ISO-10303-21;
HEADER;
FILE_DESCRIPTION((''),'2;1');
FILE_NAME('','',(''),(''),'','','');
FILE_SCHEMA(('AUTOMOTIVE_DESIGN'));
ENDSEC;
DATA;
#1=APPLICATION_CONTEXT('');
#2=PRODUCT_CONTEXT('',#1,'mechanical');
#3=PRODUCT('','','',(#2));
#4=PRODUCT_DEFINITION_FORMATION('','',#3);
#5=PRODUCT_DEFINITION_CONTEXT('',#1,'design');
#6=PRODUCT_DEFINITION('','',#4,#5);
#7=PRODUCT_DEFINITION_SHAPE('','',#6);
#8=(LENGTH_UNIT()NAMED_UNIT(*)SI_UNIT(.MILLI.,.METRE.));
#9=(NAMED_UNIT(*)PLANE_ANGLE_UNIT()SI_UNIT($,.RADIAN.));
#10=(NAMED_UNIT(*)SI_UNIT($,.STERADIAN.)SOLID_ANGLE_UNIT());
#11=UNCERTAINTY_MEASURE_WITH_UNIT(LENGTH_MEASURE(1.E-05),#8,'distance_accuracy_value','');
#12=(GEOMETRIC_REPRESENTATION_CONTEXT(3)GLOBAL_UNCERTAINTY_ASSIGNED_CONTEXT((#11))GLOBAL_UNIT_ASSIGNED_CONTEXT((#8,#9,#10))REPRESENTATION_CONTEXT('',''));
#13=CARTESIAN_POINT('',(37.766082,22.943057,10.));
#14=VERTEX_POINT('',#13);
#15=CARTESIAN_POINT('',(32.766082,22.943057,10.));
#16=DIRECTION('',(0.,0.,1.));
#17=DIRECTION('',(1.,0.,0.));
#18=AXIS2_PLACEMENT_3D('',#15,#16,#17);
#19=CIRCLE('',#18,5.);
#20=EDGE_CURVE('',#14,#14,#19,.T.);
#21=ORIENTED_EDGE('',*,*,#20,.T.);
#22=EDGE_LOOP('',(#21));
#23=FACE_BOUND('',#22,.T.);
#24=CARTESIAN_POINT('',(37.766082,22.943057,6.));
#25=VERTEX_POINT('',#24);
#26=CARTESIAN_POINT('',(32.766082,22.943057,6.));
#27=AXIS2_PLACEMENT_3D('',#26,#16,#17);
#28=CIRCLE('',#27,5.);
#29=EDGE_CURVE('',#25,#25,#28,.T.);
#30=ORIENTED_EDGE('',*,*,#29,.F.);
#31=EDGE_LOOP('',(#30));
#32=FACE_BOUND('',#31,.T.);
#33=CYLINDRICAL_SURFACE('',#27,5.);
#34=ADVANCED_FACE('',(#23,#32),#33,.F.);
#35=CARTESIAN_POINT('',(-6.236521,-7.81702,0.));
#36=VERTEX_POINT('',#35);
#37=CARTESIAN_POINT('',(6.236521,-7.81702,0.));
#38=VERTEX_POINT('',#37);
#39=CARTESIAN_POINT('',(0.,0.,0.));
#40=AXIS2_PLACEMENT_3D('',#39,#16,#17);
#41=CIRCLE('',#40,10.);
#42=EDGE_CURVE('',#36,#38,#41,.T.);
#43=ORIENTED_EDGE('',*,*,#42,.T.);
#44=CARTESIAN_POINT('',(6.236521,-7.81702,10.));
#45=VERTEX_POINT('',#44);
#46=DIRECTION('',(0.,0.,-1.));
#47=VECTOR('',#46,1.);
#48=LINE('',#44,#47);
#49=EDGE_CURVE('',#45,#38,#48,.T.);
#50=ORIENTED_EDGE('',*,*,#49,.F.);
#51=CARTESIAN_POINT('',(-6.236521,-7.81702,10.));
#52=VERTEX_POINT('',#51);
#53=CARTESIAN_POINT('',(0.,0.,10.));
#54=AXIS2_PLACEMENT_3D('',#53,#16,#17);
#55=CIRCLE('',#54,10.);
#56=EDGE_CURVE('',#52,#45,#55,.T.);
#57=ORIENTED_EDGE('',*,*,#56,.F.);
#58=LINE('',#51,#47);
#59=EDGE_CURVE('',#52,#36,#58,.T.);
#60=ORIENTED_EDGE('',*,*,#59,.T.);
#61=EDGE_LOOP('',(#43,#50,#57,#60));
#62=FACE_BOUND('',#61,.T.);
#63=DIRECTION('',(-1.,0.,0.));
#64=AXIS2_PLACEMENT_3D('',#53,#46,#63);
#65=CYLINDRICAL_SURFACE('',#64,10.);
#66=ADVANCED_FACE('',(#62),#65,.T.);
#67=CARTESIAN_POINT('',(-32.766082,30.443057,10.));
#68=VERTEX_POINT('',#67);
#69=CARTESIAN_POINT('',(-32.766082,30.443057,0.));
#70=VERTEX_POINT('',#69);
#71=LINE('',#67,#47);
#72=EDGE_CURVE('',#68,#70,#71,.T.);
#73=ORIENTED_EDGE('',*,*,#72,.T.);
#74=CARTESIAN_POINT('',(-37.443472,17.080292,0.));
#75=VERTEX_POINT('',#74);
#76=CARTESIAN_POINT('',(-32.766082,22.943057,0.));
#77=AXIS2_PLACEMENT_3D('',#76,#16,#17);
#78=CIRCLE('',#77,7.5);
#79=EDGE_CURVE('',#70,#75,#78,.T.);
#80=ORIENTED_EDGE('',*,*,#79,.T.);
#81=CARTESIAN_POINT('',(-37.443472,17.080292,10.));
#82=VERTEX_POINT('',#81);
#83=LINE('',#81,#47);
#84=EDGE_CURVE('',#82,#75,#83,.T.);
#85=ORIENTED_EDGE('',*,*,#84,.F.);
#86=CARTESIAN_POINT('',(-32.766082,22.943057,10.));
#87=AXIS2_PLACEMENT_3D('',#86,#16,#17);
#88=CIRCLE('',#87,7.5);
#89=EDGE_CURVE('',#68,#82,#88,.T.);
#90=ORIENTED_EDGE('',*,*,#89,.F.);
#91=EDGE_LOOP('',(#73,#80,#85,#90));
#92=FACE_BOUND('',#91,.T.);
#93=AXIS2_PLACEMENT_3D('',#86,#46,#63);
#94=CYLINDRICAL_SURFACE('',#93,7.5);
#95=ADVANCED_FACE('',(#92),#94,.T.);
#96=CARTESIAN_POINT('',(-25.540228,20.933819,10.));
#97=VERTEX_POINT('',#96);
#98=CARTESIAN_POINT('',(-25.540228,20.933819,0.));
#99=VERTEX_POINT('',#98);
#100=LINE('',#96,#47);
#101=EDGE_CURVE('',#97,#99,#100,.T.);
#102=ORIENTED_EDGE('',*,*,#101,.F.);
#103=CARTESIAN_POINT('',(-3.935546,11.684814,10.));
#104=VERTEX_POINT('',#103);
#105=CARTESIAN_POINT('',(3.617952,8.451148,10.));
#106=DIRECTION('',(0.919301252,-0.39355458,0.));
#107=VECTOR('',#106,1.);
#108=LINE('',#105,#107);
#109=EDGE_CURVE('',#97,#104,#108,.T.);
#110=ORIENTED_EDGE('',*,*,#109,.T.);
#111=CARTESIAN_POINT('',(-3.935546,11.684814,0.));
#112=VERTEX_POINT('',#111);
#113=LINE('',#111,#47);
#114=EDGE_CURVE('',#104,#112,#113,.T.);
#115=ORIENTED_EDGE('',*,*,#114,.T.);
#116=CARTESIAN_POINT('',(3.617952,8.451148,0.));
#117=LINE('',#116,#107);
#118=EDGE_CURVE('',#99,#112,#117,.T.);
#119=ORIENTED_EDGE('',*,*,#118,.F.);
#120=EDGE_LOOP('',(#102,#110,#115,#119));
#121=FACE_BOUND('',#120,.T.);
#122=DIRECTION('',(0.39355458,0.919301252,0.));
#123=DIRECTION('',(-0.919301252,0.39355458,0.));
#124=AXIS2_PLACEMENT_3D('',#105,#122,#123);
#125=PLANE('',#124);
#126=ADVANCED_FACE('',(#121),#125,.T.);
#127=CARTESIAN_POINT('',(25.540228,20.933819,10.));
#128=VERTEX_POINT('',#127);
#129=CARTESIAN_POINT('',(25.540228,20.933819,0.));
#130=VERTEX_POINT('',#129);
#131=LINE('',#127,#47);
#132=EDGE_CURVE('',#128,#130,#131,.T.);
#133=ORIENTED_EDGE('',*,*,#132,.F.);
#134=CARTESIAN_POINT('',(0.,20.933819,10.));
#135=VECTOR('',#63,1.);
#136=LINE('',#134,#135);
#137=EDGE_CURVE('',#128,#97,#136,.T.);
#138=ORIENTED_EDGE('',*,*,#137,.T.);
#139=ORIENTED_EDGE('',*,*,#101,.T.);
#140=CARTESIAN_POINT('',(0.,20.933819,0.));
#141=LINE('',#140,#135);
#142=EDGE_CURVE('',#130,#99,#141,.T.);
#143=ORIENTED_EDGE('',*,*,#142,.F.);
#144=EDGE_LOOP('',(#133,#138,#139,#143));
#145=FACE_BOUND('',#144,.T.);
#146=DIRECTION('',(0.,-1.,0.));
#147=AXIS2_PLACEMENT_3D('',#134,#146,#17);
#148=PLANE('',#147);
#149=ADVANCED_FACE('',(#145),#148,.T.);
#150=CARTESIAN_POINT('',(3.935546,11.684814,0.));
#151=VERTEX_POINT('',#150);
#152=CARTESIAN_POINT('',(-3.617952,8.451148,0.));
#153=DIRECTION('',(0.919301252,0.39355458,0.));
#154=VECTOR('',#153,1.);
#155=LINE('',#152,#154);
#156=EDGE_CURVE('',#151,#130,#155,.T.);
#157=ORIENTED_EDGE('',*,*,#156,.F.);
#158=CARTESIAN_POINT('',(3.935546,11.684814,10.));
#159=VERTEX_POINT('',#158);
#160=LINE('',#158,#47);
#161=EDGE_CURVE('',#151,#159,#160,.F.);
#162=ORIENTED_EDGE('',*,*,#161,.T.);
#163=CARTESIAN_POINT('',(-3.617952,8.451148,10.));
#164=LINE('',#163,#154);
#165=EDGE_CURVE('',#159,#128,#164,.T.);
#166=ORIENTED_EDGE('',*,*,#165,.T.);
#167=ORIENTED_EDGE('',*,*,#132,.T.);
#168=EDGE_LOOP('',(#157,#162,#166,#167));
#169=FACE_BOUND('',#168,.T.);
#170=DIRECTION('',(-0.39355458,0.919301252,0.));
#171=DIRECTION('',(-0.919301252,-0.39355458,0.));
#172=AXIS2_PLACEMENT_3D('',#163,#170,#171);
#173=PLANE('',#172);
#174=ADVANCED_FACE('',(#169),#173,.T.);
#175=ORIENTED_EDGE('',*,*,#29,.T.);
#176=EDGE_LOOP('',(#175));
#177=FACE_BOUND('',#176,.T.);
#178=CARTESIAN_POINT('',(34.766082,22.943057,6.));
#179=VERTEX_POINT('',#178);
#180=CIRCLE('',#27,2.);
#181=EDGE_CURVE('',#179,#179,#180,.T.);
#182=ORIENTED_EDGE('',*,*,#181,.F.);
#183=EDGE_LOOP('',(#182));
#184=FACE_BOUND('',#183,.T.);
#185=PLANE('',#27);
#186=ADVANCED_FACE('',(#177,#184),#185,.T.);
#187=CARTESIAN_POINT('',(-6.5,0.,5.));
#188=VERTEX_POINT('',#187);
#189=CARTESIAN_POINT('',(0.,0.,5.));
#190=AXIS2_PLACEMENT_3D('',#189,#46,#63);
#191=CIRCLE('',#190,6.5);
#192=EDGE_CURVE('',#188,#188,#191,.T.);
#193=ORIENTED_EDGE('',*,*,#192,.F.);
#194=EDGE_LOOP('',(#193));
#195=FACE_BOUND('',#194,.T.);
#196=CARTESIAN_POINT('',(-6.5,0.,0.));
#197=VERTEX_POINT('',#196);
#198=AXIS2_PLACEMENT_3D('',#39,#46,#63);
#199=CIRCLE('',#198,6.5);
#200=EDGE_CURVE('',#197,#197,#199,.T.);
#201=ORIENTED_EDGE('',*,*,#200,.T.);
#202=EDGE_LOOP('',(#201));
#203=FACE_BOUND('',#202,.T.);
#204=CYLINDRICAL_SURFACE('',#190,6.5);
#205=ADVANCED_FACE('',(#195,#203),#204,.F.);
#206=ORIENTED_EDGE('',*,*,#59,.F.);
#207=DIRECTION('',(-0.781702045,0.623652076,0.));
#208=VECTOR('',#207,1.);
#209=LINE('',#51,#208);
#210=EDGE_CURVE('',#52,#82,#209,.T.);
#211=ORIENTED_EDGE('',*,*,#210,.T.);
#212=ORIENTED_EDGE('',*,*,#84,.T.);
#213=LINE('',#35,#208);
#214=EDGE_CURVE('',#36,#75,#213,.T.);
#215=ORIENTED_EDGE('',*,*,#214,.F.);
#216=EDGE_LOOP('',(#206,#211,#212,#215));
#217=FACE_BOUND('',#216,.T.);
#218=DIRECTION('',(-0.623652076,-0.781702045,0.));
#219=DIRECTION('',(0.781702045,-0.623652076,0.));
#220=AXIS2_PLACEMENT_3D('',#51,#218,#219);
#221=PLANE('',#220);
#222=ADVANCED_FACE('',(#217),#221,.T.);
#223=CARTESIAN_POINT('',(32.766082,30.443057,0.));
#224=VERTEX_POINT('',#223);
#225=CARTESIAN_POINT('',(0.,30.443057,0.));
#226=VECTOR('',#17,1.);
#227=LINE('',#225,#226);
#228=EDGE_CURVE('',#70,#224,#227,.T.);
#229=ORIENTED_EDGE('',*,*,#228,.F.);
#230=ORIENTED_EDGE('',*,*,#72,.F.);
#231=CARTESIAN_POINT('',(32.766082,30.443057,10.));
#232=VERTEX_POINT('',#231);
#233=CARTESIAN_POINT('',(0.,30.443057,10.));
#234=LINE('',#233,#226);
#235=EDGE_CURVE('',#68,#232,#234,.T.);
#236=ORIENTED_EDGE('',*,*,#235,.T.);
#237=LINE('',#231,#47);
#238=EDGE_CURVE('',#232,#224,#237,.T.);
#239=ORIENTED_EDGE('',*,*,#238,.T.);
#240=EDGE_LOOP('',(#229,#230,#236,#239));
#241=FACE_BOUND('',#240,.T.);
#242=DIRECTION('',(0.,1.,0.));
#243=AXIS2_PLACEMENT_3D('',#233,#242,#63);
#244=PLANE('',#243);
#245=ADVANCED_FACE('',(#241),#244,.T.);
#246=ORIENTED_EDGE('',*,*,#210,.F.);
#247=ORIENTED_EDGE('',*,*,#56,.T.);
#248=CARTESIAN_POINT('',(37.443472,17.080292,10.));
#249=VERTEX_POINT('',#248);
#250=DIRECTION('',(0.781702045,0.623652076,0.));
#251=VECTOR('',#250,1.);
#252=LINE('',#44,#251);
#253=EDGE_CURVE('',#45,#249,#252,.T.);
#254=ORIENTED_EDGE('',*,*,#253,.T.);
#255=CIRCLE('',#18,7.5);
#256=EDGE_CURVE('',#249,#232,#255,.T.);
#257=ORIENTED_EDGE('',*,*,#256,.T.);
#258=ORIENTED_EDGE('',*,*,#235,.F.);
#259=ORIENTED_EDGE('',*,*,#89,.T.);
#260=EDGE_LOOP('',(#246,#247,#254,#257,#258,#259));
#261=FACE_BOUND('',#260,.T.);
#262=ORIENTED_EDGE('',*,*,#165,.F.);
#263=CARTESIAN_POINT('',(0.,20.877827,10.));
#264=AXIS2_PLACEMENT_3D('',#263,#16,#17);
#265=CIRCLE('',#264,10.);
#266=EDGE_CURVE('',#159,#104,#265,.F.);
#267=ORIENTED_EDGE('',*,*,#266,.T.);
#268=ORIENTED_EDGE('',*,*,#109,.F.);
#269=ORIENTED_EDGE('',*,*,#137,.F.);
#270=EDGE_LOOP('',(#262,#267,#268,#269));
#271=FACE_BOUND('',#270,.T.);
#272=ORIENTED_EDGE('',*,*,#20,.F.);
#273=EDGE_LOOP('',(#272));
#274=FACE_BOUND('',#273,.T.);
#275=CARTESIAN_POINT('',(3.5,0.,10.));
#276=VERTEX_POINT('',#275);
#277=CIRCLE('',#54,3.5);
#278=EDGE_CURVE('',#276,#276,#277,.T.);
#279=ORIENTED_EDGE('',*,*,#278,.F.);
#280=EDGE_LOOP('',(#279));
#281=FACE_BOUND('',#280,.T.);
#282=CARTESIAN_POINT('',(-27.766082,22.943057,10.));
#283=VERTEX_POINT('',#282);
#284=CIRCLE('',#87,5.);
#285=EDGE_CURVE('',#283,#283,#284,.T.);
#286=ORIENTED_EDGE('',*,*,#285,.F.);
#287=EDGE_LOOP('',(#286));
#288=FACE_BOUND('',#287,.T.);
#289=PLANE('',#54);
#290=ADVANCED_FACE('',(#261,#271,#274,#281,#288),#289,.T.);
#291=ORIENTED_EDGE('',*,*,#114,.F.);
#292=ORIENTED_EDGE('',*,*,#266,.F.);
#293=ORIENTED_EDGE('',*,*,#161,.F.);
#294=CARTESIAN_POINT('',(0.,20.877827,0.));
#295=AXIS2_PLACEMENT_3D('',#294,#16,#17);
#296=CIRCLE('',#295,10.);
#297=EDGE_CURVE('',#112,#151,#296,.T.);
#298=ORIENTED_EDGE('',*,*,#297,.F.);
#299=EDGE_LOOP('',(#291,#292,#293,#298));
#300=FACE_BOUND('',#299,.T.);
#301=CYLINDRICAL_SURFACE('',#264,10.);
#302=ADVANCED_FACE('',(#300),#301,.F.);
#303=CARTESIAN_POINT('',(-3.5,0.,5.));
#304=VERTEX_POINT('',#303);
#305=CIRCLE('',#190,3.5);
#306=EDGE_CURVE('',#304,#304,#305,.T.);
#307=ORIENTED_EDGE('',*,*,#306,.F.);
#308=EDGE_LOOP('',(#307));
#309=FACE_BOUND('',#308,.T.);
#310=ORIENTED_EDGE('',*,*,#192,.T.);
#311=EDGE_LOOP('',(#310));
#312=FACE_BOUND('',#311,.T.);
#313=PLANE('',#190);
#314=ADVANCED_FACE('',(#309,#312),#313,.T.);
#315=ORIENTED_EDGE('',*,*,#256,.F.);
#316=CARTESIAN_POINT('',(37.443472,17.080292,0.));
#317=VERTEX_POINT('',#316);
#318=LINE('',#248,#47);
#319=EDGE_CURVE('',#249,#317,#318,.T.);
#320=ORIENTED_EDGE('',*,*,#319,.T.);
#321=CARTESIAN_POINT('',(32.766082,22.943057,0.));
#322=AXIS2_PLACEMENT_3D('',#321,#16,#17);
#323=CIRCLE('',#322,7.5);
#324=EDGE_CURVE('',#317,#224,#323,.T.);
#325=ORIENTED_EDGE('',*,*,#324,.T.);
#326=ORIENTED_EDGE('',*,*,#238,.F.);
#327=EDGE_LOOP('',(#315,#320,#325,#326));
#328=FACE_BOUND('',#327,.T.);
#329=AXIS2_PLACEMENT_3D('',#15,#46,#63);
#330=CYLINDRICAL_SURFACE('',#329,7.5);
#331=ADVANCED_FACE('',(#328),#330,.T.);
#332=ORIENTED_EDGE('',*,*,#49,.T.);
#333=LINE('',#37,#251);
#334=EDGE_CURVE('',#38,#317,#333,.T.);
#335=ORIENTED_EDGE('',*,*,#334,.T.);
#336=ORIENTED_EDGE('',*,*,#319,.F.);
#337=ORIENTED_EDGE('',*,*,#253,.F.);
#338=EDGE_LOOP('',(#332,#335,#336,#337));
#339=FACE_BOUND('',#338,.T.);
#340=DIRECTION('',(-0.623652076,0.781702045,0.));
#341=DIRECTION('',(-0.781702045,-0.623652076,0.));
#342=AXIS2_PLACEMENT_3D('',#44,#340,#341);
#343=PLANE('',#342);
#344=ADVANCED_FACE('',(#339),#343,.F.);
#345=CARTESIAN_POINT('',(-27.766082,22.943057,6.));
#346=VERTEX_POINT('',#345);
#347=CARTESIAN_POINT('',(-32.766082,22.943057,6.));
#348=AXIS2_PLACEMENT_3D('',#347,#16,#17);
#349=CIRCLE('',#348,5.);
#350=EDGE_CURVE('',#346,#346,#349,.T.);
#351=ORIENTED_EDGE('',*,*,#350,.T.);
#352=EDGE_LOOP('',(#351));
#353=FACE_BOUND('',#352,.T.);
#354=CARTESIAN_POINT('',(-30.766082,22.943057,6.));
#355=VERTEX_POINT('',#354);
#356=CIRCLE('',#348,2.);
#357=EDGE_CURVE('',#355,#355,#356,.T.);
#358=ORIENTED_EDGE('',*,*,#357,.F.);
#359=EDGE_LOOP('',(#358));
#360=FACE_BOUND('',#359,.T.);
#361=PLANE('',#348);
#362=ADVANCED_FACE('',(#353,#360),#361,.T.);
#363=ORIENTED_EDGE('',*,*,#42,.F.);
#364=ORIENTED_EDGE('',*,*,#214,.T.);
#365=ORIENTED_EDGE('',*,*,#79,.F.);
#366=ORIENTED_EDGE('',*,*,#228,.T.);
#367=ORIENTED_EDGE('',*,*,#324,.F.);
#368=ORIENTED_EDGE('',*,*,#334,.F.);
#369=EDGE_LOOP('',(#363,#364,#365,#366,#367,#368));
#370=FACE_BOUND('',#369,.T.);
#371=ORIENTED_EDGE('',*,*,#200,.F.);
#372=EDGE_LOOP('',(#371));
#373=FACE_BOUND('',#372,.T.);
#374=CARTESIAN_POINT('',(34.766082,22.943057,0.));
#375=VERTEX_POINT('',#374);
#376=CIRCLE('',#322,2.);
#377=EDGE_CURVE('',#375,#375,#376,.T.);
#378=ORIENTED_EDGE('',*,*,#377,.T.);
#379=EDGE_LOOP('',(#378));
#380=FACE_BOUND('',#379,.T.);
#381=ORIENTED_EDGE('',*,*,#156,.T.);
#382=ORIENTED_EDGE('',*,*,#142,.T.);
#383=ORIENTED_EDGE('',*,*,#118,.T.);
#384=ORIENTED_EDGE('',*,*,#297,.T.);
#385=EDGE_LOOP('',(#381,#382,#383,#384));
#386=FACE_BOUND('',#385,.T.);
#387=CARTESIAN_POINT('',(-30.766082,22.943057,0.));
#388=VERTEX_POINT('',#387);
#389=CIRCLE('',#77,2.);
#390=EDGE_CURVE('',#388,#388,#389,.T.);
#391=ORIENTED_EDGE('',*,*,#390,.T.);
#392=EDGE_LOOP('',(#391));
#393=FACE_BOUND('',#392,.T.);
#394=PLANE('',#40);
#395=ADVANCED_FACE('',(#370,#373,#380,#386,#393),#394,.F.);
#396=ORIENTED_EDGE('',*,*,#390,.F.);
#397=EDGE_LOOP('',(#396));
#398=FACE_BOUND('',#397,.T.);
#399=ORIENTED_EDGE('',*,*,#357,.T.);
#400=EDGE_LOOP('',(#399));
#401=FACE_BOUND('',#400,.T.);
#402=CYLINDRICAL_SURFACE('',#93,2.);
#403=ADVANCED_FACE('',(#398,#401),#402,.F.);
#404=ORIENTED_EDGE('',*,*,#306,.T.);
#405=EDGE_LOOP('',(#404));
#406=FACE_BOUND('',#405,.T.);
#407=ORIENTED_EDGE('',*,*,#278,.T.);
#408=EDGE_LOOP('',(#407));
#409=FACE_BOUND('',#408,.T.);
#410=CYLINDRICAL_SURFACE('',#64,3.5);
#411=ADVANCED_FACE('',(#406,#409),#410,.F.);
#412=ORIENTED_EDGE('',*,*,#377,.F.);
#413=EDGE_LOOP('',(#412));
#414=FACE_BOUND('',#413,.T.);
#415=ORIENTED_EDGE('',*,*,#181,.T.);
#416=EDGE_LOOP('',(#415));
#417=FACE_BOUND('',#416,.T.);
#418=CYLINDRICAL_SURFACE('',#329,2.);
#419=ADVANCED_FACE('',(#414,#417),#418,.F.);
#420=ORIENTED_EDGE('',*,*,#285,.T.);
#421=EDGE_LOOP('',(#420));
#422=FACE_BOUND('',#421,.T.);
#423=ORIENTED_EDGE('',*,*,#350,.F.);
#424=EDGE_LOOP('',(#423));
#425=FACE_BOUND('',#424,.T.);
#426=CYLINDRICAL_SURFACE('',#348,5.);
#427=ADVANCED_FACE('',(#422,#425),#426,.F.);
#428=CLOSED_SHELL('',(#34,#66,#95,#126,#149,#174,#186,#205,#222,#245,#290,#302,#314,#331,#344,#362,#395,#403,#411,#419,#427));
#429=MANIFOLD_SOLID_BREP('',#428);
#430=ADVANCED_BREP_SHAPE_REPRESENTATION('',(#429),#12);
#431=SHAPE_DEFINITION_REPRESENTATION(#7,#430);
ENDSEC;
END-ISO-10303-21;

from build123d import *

# Parameters (mm, degrees)
SKETCH1_R           = 3.5
SKETCH1_R_2         = 2
BOSS_EXTRUDE1_DEPTH = 10
FILLET1_R           = 10
SKETCH2_R           = 6.5
CUT_EXTRUDE1_DEPTH  = 5
SKETCH3_R           = 5
CUT_EXTRUDE2_DEPTH  = 4


with BuildPart() as part:
    # Sketch1 → Boss-Extrude1 (new body)
    with BuildSketch(Plane.XY):
        with BuildLine():
            Line((-37.443472345, 17.080292115), (-6.236520765, -7.817020452))
            ThreePointArc((-6.236520765, -7.817020452), (0, -10), (6.236520765, -7.817020452))
            Line((6.236520765, -7.817020452), (37.443472345, 17.080292115))
            ThreePointArc((37.443472345, 17.080292115), (39.84494962, 25.420885127), (32.766081772, 30.443057454))
            Line((32.766081772, 30.443057454), (-32.766081772, 30.443057454))
            ThreePointArc((-32.766081772, 30.443057454), (-39.84494962, 25.420885127), (-37.443472345, 17.080292115))
        make_face()
        Polygon((25.540228058, 20.933819261), (0, 10), (-25.540228058, 20.933819261), align=None, mode=Mode.SUBTRACT)
        Circle(SKETCH1_R, mode=Mode.SUBTRACT)
        with Locations((-32.766081772, 22.943057454)):
            Circle(SKETCH1_R_2, mode=Mode.SUBTRACT)
        with Locations((32.766081772, 22.943057454)):
            Circle(SKETCH1_R_2, mode=Mode.SUBTRACT)
    extrude(amount=BOSS_EXTRUDE1_DEPTH)

    # Fillet1
    fillet1_edges = [part.edges().sort_by_distance(p)[0] for p in [
        (0, 10, 5),
    ]]
    fillet(fillet1_edges, radius=FILLET1_R)

    # Sketch2 → Cut-Extrude1 (cut)
    with BuildSketch(Plane(origin=(0, 0, 0), x_dir=(-1, 0, 0), z_dir=(0, 0, -1))):
        Circle(SKETCH2_R)
    extrude(amount=-CUT_EXTRUDE1_DEPTH, mode=Mode.SUBTRACT)

    # Sketch3 → Cut-Extrude2 (cut)
    with BuildSketch(Plane.XY.offset(10)):
        with Locations((-32.766081772, 22.943057454)):
            Circle(SKETCH3_R)
        with Locations((32.766081772, 22.943057454)):
            Circle(SKETCH3_R)
    extrude(amount=-CUT_EXTRUDE2_DEPTH, mode=Mode.SUBTRACT)


solid = part.part
